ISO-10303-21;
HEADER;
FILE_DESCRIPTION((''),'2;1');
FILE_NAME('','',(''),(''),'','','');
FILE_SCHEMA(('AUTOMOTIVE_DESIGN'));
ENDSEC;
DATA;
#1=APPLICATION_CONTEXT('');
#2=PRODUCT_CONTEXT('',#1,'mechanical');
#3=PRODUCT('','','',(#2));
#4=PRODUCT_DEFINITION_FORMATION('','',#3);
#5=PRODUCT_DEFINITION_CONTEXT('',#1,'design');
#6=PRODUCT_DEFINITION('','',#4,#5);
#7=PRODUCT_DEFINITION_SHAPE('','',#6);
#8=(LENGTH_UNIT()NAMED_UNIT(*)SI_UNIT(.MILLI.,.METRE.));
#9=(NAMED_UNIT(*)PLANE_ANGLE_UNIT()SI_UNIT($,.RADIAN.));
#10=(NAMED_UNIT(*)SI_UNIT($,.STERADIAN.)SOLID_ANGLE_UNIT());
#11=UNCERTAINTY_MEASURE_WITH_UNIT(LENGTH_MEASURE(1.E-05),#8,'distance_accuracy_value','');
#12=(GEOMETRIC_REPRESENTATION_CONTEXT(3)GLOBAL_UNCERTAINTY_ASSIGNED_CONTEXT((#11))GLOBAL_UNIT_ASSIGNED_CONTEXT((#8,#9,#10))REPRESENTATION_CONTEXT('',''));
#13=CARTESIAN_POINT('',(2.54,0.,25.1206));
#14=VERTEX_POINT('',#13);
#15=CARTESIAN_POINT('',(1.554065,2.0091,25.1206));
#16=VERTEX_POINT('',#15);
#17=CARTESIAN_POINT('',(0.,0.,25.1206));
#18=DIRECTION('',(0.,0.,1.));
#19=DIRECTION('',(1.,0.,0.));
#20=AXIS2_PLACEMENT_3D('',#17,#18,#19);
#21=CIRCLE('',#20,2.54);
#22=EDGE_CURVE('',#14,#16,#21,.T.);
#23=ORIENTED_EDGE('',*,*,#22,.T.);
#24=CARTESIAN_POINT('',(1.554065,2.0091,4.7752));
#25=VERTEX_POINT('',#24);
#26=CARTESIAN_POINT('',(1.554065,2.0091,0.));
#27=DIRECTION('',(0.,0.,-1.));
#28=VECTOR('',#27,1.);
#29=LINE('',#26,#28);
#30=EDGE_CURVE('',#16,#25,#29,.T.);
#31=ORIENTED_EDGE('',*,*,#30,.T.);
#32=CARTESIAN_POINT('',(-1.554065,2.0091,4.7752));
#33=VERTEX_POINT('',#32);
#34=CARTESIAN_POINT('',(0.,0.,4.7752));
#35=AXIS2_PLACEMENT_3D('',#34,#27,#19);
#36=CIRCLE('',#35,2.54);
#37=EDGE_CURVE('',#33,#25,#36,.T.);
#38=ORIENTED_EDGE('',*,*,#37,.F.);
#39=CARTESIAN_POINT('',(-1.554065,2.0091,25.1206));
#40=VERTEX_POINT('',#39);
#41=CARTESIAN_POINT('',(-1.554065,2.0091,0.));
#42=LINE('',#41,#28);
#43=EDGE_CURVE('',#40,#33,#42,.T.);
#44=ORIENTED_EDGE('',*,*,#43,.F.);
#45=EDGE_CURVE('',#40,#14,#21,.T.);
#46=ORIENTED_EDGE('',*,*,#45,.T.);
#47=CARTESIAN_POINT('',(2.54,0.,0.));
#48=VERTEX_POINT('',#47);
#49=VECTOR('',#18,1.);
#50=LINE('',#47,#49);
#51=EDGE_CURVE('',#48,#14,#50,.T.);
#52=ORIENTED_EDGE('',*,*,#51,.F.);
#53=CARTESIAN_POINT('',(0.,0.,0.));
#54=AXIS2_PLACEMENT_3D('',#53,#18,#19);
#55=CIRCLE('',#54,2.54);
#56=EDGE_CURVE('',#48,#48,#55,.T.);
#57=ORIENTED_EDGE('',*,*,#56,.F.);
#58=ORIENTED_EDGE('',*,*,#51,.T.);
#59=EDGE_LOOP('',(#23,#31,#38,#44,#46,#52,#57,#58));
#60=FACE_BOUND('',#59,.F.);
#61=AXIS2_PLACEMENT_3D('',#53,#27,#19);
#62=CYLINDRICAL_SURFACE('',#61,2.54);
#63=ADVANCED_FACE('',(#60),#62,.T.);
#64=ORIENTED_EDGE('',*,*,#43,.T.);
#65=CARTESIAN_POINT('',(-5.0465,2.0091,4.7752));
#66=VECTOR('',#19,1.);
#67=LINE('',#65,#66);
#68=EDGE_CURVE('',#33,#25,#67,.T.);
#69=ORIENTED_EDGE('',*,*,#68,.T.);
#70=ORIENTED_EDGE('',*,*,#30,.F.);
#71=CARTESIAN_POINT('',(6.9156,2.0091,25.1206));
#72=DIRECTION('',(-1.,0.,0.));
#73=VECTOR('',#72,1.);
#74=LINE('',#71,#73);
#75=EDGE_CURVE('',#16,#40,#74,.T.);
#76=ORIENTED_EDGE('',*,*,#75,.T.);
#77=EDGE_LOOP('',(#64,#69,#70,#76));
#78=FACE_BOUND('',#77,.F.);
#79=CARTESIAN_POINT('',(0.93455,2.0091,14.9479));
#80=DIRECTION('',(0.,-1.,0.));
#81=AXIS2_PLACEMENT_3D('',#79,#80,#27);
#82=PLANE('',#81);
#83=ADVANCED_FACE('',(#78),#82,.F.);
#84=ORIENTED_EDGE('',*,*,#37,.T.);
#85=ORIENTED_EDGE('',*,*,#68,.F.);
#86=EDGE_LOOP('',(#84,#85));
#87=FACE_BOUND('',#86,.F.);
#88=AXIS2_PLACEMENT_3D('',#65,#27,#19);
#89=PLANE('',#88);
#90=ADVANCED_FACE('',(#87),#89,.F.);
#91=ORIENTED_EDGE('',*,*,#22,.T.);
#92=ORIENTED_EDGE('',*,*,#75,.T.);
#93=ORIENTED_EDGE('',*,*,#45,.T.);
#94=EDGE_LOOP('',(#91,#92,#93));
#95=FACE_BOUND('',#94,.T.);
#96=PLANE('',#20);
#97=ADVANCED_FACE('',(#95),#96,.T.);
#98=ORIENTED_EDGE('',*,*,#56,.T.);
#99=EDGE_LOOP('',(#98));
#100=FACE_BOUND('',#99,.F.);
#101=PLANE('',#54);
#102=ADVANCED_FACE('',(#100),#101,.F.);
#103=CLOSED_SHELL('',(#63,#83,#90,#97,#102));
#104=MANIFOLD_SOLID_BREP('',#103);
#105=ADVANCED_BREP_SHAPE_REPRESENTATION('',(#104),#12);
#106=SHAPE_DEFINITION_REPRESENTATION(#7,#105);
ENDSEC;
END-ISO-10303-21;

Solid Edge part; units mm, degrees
sketch "Sketch1" plane through (0, 0, 0) normal (0, 0, 1) x (1, 0, 0)
  circle A0 centre (0, 0) radius 2.54
  dimension "D1" = 5.08
extrude "Protrusion1" add sketch "Sketch1" along normal blind 25.1206
sketch "Sketch2" plane through (0, 2.0091, 0) normal (0, -1, 0) x (1, 0, 0)
  line L0 (6.9156, 25.1206) -> (-5.0465, 25.1206)
  line L1 (-5.0465, 25.1206) -> (-5.0465, 4.7752)
  line L2 (-5.0465, 4.7752) -> (6.9156, 4.7752)
  line L3 (6.9156, 4.7752) -> (6.9156, 25.1206)
extrude "KeySlot_Profile_Plane1" cut sketch "Sketch2" against normal blind 25.4
properties material "Stainless steel"
